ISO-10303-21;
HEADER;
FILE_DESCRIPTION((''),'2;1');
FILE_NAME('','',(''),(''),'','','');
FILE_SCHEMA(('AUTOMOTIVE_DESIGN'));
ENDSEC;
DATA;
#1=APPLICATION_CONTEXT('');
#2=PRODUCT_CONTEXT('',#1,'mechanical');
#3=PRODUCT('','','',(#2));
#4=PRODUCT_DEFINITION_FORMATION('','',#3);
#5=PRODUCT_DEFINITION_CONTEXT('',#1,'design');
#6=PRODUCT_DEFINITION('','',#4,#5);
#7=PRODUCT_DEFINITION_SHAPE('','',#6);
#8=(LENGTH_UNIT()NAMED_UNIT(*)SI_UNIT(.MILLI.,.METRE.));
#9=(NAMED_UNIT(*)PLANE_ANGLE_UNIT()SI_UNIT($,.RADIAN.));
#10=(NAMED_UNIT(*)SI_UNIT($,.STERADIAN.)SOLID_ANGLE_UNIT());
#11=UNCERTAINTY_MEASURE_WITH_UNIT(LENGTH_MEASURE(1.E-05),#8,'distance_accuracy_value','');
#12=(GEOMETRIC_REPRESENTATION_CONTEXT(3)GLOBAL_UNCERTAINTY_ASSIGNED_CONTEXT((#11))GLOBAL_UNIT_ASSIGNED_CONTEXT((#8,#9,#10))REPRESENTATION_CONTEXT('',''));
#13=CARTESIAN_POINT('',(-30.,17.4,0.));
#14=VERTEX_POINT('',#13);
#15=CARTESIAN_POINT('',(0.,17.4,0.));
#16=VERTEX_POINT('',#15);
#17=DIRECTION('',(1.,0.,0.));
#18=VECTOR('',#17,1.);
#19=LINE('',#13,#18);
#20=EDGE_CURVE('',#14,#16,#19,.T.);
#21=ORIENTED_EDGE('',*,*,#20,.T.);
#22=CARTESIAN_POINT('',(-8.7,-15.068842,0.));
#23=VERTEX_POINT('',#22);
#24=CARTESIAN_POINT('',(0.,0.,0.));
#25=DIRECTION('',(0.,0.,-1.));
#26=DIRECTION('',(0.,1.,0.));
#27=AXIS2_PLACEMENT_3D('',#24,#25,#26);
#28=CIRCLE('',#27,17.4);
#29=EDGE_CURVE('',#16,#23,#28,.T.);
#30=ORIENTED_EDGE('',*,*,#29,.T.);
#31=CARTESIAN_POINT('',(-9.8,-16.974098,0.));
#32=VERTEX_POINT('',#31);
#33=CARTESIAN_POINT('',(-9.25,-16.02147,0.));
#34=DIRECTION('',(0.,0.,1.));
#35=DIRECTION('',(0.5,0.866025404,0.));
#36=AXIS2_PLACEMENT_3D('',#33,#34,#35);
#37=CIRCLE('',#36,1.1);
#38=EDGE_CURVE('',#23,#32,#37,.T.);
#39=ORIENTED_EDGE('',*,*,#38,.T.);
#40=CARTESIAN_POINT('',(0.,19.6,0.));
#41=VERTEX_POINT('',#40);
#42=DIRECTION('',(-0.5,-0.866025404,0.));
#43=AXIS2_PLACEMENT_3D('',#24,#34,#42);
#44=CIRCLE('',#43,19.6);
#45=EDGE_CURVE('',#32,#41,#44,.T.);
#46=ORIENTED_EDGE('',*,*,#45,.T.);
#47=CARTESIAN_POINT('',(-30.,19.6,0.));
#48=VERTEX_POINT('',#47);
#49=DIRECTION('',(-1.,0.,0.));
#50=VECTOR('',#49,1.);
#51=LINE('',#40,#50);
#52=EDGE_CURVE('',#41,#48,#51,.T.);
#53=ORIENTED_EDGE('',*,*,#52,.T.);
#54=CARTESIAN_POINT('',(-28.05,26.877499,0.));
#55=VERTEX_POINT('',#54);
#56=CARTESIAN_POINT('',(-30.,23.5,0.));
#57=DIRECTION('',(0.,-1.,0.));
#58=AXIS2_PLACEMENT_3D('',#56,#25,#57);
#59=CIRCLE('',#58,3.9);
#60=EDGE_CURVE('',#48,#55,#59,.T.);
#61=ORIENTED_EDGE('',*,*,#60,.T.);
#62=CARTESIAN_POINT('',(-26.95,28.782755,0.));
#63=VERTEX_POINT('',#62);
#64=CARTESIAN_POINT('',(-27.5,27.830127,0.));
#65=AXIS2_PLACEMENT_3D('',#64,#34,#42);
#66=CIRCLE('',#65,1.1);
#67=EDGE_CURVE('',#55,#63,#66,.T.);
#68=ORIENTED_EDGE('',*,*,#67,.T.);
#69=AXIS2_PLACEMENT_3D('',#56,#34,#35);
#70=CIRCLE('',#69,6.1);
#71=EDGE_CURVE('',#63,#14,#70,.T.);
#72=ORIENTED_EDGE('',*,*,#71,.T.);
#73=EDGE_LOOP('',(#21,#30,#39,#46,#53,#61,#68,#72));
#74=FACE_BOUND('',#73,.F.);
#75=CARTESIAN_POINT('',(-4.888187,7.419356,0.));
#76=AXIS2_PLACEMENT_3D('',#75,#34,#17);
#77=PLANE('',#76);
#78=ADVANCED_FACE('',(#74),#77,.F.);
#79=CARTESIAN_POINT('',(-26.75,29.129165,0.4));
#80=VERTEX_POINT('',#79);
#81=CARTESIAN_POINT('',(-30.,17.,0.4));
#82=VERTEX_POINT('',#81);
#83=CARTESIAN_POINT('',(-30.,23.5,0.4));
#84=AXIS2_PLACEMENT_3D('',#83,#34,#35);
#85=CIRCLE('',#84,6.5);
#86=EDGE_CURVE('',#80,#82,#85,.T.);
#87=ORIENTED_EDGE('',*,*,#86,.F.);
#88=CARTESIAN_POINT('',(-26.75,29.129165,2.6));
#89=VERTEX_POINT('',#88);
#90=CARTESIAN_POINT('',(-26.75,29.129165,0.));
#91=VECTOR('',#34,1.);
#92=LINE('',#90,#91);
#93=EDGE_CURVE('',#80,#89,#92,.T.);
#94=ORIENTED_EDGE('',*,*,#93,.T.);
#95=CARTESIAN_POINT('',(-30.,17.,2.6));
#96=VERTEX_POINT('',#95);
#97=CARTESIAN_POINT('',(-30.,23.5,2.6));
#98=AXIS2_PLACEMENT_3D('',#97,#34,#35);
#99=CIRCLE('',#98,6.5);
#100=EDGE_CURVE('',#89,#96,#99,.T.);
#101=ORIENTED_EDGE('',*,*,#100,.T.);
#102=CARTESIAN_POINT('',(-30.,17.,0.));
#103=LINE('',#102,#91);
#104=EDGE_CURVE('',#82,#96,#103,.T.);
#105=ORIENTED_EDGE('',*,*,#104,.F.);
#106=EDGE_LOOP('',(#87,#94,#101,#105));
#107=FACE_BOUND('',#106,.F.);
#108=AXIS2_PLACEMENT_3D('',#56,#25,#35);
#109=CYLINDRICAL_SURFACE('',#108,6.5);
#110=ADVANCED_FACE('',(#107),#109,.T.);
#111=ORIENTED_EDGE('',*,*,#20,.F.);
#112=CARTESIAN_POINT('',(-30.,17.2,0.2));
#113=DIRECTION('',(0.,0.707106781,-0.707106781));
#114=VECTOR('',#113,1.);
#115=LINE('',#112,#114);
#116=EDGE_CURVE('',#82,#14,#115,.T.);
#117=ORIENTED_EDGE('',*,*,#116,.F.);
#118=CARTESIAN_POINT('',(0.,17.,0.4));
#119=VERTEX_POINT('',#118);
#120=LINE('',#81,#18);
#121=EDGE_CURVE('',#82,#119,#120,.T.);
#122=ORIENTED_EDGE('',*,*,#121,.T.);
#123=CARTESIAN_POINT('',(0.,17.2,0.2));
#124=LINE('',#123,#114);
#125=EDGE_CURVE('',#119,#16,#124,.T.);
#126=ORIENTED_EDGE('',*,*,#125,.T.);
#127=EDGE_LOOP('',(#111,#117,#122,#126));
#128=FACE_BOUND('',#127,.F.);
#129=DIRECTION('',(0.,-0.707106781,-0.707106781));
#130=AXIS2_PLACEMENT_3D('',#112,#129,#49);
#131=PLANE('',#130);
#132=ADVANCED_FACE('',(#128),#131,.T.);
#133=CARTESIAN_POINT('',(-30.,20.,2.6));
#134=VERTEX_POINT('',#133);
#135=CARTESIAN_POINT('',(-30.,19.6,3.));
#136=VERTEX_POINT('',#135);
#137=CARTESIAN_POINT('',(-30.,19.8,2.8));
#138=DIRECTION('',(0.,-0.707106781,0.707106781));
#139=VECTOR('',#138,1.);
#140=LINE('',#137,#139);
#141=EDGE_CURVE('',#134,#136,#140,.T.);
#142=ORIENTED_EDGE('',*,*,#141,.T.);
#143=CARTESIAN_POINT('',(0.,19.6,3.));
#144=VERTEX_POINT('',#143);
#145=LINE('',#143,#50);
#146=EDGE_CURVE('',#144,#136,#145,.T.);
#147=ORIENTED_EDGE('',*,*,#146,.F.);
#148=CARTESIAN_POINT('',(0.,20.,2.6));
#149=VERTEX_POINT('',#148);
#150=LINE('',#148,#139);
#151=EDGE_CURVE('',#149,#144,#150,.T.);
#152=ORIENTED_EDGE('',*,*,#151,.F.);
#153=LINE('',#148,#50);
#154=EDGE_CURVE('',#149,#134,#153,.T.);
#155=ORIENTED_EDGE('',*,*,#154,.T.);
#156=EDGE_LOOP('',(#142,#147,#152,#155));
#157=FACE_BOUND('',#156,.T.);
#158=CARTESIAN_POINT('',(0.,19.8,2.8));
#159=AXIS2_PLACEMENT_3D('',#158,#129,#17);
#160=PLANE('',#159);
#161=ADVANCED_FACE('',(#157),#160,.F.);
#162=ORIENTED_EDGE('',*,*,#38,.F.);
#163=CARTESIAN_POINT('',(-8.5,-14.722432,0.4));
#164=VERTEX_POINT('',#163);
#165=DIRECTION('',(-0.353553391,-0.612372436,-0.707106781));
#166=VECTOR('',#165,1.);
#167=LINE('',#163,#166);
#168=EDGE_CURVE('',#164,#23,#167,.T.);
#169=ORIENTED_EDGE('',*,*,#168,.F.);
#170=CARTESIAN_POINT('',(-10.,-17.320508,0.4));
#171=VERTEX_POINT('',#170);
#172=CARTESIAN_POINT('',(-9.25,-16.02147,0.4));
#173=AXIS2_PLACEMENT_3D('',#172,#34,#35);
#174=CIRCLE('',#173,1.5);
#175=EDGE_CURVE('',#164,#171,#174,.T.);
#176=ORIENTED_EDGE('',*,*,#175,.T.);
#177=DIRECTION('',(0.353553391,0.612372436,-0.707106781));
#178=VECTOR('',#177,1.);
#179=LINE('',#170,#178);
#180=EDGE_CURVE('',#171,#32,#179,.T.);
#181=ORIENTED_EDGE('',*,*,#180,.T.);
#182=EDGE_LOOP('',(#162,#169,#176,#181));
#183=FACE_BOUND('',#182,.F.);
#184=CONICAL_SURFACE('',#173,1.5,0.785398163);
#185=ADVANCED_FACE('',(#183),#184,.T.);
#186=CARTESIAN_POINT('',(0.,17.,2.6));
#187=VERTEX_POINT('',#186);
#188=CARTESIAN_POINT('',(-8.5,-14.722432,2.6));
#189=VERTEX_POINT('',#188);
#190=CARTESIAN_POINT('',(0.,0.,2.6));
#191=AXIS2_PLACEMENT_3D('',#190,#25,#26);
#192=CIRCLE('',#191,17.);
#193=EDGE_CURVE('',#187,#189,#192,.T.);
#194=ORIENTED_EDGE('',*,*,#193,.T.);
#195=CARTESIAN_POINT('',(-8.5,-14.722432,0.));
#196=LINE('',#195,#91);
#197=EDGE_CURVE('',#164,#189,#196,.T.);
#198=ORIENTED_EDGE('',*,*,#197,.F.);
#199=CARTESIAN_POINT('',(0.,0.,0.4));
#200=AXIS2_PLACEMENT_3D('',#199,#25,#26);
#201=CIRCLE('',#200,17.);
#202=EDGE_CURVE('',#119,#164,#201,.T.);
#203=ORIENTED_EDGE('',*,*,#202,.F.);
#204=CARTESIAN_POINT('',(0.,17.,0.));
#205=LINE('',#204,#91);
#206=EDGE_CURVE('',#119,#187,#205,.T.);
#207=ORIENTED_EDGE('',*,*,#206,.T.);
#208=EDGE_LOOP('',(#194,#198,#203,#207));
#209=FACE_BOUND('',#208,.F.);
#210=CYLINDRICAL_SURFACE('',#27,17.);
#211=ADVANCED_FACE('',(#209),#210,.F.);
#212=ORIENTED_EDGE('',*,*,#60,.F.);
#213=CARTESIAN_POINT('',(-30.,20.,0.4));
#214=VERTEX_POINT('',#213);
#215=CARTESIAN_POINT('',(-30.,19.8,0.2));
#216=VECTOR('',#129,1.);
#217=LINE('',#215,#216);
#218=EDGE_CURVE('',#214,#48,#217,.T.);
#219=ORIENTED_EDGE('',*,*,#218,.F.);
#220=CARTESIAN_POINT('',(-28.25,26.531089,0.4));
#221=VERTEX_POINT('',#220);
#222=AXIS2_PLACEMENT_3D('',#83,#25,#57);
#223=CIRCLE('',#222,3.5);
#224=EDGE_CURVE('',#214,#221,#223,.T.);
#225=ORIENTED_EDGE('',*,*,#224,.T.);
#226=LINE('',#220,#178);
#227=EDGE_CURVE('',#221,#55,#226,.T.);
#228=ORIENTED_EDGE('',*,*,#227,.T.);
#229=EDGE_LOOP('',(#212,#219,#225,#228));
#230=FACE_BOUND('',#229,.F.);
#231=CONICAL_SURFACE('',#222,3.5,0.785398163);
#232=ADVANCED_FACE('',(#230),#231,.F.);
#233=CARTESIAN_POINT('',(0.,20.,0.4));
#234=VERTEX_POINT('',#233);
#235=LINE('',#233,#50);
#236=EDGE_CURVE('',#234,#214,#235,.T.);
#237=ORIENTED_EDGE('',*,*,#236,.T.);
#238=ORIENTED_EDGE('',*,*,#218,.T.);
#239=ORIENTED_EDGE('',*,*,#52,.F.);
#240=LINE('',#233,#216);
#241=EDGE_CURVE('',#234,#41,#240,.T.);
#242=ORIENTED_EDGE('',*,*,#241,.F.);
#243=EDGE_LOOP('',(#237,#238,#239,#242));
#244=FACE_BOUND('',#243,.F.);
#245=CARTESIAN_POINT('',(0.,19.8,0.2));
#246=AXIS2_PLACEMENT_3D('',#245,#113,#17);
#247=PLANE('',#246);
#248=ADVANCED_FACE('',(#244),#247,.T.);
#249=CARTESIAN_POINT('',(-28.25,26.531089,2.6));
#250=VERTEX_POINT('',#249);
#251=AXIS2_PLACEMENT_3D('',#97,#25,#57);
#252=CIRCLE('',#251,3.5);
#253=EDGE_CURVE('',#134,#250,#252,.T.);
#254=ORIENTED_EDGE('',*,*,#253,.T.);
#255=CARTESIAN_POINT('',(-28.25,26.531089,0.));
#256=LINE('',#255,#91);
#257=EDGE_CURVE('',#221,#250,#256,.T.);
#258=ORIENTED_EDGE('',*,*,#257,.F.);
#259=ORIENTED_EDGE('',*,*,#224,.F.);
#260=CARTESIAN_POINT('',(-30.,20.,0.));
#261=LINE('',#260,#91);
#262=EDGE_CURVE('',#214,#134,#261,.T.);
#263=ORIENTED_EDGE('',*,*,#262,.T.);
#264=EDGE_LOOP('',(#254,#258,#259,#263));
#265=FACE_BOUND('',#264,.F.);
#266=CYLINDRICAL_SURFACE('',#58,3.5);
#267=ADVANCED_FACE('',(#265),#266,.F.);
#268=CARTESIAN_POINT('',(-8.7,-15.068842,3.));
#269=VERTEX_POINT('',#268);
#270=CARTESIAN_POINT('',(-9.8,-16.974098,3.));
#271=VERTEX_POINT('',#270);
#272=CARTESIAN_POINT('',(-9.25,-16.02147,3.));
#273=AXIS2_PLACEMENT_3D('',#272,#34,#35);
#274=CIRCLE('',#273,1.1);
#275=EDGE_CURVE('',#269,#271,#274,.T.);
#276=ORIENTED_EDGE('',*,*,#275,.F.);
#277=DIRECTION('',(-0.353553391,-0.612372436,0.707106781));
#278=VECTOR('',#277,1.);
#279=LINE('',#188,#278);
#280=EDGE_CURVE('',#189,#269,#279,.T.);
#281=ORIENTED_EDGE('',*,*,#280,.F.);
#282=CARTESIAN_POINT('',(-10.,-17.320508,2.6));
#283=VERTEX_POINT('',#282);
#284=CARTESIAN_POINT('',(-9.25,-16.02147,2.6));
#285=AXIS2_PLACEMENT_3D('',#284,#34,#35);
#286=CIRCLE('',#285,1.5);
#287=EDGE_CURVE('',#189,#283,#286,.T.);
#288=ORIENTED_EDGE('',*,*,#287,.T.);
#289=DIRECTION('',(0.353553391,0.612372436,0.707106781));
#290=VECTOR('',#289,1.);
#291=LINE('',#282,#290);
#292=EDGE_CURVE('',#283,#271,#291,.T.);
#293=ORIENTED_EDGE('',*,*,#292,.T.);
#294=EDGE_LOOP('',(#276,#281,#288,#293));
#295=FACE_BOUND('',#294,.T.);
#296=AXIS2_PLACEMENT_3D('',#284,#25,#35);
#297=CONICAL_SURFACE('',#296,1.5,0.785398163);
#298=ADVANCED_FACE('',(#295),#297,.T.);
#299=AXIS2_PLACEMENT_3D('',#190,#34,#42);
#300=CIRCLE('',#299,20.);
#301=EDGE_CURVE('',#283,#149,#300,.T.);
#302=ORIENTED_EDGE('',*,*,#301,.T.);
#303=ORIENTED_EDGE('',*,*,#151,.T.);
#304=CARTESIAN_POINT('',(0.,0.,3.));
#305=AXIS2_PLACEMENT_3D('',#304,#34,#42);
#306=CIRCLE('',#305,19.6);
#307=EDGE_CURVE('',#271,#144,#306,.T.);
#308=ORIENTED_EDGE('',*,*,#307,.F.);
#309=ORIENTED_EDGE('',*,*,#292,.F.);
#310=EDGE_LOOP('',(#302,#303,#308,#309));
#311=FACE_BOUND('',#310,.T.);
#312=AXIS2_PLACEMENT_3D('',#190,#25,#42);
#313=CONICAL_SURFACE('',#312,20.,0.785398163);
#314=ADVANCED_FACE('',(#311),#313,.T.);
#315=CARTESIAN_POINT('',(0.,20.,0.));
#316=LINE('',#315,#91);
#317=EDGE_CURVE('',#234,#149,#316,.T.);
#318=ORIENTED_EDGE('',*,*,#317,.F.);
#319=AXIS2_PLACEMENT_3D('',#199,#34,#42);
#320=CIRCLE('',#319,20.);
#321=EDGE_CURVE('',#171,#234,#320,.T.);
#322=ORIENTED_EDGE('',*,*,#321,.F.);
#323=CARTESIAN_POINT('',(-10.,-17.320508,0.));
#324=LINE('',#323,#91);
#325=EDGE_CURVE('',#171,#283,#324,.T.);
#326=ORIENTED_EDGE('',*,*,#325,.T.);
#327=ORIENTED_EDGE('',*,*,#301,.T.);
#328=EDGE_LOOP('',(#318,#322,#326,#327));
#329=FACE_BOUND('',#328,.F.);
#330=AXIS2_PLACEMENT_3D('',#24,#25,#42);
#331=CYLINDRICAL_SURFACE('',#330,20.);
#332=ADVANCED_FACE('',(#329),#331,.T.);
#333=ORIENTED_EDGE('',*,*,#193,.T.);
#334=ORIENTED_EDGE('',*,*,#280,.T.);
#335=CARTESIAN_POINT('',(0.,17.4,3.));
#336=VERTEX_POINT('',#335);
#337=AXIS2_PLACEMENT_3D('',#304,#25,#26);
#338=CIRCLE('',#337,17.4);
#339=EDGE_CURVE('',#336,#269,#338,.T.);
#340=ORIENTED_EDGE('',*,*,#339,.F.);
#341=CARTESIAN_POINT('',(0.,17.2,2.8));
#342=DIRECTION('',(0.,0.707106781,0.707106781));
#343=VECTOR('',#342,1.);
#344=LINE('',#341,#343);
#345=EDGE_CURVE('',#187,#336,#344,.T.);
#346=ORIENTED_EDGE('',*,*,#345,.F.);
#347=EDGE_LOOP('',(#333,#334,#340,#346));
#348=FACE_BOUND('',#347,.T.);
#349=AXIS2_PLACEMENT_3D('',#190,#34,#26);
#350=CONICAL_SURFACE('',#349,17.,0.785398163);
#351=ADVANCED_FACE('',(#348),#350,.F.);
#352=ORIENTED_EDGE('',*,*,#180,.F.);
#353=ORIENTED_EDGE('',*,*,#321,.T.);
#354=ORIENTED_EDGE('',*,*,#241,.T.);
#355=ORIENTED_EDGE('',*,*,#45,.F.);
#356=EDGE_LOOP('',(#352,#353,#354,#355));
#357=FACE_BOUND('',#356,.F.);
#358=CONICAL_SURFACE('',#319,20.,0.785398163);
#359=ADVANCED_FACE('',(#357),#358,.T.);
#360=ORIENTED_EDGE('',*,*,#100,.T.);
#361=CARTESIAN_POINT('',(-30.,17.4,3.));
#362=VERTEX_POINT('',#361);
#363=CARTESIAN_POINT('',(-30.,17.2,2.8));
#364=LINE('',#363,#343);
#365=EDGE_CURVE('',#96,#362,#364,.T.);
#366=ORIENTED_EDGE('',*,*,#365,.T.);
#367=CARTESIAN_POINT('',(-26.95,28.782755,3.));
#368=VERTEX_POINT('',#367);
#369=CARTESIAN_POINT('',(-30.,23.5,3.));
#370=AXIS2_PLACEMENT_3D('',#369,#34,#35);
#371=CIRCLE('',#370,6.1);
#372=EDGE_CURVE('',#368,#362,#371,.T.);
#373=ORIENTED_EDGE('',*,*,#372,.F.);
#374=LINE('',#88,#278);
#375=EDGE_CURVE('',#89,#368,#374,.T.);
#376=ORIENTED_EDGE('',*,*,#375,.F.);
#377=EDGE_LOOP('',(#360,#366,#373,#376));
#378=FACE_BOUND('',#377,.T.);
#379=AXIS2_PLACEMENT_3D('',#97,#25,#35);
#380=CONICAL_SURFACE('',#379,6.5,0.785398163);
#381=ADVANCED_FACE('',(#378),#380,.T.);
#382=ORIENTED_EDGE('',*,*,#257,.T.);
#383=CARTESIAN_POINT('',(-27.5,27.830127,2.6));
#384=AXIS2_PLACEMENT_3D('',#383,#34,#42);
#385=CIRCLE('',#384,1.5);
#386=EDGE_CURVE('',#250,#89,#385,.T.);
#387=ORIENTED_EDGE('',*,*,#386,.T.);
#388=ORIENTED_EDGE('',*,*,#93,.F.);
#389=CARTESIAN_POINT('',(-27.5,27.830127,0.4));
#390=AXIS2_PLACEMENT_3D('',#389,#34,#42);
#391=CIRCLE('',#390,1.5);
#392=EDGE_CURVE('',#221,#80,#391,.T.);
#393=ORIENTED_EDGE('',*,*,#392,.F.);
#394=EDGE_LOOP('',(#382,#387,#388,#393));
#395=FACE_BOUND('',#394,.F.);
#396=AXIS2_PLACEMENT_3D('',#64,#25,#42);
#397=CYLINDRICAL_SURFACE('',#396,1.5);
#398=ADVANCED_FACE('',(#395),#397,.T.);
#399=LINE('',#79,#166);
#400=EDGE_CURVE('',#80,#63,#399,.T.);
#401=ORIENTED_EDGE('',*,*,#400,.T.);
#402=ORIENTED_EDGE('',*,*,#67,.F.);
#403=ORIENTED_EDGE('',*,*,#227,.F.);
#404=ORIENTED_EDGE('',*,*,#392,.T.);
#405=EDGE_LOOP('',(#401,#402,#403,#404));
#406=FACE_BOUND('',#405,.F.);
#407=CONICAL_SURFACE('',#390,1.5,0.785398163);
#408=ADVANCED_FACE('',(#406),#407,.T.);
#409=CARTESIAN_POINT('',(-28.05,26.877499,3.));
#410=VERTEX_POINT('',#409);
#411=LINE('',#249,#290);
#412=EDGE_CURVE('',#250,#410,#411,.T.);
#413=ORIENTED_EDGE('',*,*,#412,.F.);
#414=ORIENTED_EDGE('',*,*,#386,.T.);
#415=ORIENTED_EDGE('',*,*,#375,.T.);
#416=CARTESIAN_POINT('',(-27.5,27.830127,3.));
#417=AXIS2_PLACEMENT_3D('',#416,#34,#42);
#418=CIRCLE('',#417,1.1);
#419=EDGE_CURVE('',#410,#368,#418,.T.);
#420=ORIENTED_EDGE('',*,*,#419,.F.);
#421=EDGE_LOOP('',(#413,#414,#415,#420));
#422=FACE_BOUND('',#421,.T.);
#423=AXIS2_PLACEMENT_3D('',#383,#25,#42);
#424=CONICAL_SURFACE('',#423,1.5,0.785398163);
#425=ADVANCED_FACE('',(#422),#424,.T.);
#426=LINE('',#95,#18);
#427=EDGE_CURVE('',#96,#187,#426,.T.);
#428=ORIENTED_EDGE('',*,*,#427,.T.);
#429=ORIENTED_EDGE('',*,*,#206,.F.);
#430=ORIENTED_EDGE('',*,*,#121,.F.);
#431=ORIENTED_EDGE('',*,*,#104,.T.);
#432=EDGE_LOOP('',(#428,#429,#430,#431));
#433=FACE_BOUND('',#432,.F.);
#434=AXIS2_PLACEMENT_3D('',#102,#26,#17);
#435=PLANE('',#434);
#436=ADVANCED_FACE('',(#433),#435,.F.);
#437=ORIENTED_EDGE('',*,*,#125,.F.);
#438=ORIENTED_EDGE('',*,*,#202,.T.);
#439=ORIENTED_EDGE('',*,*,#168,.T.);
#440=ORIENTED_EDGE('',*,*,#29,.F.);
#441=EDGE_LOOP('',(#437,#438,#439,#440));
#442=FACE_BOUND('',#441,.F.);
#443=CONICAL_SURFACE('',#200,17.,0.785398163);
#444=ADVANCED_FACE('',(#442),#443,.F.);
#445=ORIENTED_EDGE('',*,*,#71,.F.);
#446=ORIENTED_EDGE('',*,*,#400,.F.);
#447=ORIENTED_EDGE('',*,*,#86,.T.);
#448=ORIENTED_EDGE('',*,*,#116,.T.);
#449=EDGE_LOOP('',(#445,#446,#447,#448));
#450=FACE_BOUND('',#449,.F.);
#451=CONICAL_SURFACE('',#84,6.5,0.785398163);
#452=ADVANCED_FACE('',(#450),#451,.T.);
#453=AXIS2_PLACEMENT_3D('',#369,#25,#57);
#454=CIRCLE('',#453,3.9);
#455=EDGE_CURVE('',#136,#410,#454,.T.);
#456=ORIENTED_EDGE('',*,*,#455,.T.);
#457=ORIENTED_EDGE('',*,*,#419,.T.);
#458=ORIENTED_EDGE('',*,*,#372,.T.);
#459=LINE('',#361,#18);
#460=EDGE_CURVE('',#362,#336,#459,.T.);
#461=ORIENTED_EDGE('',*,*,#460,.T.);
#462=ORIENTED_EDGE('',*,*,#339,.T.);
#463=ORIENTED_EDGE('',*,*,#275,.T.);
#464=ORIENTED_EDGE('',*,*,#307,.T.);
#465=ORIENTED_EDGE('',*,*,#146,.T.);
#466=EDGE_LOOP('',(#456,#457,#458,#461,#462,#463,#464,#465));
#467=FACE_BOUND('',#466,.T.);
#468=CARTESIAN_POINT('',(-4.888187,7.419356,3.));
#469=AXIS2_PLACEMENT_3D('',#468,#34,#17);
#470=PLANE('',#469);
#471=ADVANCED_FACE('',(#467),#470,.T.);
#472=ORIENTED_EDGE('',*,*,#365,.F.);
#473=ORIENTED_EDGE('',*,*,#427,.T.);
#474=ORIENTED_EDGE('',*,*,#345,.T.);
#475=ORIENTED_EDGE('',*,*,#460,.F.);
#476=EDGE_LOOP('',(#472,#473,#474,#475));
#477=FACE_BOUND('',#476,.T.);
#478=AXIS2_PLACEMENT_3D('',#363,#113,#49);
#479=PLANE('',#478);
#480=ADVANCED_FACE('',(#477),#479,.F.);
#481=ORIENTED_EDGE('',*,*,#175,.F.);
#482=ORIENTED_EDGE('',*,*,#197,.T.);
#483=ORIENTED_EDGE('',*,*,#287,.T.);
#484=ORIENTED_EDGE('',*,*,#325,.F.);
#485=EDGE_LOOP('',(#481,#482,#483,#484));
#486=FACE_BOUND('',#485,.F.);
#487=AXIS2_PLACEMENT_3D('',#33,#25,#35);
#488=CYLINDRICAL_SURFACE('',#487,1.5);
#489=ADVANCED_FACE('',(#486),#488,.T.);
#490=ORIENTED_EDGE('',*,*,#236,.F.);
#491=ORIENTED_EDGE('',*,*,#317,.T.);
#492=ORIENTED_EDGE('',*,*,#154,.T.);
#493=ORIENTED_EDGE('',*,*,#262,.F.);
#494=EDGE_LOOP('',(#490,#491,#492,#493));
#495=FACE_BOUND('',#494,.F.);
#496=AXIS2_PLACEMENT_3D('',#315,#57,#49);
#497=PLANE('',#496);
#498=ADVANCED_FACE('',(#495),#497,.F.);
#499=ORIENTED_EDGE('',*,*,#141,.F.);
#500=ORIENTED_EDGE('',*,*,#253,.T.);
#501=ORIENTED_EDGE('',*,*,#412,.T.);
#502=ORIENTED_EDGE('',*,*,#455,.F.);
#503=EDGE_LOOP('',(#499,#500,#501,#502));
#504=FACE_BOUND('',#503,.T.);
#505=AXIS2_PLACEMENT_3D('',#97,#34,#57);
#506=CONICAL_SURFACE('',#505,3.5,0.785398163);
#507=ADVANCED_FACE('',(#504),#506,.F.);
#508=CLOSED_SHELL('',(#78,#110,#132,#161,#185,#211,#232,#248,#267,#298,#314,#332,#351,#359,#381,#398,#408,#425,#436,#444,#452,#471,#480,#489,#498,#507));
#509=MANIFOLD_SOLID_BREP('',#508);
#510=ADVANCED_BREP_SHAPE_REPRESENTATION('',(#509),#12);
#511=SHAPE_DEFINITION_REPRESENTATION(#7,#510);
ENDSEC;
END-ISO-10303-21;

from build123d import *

# Parameters (mm, degrees)
F2_DEPTH = 3
F3_SIZE  = 0.4


with BuildPart() as f2:
    # F1 (on Top) → F2 (new body)
    with BuildSketch(Plane.XY):
        with BuildLine():
            ThreePointArc((0, 17), (16.4207390469, -4.3999237667), (-8.5, -14.7224318643))
            ThreePointArc((-8.5, -14.7224318643), (-10.5490381057, -15.27146997), (-10, -17.3205080757))
            ThreePointArc((-10, -17.3205080757), (19.3185165258, -5.1763809021), (0, 20))
            Line((0, 20), (-30, 20))
            ThreePointArc((-30, 20), (-33.380740392, 24.4058666579), (-28.25, 26.5310889132))
            ThreePointArc((-28.25, 26.5310889132), (-26.2009618943, 27.0801270189), (-26.75, 29.1291651246))
            ThreePointArc((-26.75, 29.1291651246), (-36.2785178709, 25.1823237932), (-30, 17))
            Line((-30, 17), (0, 17))
        make_face()
    extrude(amount=F2_DEPTH)

    # F3
    f3_edges = [f2.edges().sort_by_distance(p)[0] for p in [
        (-15, 17, 3),
        (-15, 17, 0),
    ]]
    chamfer(f3_edges, length=F3_SIZE)


solid = f2.part
